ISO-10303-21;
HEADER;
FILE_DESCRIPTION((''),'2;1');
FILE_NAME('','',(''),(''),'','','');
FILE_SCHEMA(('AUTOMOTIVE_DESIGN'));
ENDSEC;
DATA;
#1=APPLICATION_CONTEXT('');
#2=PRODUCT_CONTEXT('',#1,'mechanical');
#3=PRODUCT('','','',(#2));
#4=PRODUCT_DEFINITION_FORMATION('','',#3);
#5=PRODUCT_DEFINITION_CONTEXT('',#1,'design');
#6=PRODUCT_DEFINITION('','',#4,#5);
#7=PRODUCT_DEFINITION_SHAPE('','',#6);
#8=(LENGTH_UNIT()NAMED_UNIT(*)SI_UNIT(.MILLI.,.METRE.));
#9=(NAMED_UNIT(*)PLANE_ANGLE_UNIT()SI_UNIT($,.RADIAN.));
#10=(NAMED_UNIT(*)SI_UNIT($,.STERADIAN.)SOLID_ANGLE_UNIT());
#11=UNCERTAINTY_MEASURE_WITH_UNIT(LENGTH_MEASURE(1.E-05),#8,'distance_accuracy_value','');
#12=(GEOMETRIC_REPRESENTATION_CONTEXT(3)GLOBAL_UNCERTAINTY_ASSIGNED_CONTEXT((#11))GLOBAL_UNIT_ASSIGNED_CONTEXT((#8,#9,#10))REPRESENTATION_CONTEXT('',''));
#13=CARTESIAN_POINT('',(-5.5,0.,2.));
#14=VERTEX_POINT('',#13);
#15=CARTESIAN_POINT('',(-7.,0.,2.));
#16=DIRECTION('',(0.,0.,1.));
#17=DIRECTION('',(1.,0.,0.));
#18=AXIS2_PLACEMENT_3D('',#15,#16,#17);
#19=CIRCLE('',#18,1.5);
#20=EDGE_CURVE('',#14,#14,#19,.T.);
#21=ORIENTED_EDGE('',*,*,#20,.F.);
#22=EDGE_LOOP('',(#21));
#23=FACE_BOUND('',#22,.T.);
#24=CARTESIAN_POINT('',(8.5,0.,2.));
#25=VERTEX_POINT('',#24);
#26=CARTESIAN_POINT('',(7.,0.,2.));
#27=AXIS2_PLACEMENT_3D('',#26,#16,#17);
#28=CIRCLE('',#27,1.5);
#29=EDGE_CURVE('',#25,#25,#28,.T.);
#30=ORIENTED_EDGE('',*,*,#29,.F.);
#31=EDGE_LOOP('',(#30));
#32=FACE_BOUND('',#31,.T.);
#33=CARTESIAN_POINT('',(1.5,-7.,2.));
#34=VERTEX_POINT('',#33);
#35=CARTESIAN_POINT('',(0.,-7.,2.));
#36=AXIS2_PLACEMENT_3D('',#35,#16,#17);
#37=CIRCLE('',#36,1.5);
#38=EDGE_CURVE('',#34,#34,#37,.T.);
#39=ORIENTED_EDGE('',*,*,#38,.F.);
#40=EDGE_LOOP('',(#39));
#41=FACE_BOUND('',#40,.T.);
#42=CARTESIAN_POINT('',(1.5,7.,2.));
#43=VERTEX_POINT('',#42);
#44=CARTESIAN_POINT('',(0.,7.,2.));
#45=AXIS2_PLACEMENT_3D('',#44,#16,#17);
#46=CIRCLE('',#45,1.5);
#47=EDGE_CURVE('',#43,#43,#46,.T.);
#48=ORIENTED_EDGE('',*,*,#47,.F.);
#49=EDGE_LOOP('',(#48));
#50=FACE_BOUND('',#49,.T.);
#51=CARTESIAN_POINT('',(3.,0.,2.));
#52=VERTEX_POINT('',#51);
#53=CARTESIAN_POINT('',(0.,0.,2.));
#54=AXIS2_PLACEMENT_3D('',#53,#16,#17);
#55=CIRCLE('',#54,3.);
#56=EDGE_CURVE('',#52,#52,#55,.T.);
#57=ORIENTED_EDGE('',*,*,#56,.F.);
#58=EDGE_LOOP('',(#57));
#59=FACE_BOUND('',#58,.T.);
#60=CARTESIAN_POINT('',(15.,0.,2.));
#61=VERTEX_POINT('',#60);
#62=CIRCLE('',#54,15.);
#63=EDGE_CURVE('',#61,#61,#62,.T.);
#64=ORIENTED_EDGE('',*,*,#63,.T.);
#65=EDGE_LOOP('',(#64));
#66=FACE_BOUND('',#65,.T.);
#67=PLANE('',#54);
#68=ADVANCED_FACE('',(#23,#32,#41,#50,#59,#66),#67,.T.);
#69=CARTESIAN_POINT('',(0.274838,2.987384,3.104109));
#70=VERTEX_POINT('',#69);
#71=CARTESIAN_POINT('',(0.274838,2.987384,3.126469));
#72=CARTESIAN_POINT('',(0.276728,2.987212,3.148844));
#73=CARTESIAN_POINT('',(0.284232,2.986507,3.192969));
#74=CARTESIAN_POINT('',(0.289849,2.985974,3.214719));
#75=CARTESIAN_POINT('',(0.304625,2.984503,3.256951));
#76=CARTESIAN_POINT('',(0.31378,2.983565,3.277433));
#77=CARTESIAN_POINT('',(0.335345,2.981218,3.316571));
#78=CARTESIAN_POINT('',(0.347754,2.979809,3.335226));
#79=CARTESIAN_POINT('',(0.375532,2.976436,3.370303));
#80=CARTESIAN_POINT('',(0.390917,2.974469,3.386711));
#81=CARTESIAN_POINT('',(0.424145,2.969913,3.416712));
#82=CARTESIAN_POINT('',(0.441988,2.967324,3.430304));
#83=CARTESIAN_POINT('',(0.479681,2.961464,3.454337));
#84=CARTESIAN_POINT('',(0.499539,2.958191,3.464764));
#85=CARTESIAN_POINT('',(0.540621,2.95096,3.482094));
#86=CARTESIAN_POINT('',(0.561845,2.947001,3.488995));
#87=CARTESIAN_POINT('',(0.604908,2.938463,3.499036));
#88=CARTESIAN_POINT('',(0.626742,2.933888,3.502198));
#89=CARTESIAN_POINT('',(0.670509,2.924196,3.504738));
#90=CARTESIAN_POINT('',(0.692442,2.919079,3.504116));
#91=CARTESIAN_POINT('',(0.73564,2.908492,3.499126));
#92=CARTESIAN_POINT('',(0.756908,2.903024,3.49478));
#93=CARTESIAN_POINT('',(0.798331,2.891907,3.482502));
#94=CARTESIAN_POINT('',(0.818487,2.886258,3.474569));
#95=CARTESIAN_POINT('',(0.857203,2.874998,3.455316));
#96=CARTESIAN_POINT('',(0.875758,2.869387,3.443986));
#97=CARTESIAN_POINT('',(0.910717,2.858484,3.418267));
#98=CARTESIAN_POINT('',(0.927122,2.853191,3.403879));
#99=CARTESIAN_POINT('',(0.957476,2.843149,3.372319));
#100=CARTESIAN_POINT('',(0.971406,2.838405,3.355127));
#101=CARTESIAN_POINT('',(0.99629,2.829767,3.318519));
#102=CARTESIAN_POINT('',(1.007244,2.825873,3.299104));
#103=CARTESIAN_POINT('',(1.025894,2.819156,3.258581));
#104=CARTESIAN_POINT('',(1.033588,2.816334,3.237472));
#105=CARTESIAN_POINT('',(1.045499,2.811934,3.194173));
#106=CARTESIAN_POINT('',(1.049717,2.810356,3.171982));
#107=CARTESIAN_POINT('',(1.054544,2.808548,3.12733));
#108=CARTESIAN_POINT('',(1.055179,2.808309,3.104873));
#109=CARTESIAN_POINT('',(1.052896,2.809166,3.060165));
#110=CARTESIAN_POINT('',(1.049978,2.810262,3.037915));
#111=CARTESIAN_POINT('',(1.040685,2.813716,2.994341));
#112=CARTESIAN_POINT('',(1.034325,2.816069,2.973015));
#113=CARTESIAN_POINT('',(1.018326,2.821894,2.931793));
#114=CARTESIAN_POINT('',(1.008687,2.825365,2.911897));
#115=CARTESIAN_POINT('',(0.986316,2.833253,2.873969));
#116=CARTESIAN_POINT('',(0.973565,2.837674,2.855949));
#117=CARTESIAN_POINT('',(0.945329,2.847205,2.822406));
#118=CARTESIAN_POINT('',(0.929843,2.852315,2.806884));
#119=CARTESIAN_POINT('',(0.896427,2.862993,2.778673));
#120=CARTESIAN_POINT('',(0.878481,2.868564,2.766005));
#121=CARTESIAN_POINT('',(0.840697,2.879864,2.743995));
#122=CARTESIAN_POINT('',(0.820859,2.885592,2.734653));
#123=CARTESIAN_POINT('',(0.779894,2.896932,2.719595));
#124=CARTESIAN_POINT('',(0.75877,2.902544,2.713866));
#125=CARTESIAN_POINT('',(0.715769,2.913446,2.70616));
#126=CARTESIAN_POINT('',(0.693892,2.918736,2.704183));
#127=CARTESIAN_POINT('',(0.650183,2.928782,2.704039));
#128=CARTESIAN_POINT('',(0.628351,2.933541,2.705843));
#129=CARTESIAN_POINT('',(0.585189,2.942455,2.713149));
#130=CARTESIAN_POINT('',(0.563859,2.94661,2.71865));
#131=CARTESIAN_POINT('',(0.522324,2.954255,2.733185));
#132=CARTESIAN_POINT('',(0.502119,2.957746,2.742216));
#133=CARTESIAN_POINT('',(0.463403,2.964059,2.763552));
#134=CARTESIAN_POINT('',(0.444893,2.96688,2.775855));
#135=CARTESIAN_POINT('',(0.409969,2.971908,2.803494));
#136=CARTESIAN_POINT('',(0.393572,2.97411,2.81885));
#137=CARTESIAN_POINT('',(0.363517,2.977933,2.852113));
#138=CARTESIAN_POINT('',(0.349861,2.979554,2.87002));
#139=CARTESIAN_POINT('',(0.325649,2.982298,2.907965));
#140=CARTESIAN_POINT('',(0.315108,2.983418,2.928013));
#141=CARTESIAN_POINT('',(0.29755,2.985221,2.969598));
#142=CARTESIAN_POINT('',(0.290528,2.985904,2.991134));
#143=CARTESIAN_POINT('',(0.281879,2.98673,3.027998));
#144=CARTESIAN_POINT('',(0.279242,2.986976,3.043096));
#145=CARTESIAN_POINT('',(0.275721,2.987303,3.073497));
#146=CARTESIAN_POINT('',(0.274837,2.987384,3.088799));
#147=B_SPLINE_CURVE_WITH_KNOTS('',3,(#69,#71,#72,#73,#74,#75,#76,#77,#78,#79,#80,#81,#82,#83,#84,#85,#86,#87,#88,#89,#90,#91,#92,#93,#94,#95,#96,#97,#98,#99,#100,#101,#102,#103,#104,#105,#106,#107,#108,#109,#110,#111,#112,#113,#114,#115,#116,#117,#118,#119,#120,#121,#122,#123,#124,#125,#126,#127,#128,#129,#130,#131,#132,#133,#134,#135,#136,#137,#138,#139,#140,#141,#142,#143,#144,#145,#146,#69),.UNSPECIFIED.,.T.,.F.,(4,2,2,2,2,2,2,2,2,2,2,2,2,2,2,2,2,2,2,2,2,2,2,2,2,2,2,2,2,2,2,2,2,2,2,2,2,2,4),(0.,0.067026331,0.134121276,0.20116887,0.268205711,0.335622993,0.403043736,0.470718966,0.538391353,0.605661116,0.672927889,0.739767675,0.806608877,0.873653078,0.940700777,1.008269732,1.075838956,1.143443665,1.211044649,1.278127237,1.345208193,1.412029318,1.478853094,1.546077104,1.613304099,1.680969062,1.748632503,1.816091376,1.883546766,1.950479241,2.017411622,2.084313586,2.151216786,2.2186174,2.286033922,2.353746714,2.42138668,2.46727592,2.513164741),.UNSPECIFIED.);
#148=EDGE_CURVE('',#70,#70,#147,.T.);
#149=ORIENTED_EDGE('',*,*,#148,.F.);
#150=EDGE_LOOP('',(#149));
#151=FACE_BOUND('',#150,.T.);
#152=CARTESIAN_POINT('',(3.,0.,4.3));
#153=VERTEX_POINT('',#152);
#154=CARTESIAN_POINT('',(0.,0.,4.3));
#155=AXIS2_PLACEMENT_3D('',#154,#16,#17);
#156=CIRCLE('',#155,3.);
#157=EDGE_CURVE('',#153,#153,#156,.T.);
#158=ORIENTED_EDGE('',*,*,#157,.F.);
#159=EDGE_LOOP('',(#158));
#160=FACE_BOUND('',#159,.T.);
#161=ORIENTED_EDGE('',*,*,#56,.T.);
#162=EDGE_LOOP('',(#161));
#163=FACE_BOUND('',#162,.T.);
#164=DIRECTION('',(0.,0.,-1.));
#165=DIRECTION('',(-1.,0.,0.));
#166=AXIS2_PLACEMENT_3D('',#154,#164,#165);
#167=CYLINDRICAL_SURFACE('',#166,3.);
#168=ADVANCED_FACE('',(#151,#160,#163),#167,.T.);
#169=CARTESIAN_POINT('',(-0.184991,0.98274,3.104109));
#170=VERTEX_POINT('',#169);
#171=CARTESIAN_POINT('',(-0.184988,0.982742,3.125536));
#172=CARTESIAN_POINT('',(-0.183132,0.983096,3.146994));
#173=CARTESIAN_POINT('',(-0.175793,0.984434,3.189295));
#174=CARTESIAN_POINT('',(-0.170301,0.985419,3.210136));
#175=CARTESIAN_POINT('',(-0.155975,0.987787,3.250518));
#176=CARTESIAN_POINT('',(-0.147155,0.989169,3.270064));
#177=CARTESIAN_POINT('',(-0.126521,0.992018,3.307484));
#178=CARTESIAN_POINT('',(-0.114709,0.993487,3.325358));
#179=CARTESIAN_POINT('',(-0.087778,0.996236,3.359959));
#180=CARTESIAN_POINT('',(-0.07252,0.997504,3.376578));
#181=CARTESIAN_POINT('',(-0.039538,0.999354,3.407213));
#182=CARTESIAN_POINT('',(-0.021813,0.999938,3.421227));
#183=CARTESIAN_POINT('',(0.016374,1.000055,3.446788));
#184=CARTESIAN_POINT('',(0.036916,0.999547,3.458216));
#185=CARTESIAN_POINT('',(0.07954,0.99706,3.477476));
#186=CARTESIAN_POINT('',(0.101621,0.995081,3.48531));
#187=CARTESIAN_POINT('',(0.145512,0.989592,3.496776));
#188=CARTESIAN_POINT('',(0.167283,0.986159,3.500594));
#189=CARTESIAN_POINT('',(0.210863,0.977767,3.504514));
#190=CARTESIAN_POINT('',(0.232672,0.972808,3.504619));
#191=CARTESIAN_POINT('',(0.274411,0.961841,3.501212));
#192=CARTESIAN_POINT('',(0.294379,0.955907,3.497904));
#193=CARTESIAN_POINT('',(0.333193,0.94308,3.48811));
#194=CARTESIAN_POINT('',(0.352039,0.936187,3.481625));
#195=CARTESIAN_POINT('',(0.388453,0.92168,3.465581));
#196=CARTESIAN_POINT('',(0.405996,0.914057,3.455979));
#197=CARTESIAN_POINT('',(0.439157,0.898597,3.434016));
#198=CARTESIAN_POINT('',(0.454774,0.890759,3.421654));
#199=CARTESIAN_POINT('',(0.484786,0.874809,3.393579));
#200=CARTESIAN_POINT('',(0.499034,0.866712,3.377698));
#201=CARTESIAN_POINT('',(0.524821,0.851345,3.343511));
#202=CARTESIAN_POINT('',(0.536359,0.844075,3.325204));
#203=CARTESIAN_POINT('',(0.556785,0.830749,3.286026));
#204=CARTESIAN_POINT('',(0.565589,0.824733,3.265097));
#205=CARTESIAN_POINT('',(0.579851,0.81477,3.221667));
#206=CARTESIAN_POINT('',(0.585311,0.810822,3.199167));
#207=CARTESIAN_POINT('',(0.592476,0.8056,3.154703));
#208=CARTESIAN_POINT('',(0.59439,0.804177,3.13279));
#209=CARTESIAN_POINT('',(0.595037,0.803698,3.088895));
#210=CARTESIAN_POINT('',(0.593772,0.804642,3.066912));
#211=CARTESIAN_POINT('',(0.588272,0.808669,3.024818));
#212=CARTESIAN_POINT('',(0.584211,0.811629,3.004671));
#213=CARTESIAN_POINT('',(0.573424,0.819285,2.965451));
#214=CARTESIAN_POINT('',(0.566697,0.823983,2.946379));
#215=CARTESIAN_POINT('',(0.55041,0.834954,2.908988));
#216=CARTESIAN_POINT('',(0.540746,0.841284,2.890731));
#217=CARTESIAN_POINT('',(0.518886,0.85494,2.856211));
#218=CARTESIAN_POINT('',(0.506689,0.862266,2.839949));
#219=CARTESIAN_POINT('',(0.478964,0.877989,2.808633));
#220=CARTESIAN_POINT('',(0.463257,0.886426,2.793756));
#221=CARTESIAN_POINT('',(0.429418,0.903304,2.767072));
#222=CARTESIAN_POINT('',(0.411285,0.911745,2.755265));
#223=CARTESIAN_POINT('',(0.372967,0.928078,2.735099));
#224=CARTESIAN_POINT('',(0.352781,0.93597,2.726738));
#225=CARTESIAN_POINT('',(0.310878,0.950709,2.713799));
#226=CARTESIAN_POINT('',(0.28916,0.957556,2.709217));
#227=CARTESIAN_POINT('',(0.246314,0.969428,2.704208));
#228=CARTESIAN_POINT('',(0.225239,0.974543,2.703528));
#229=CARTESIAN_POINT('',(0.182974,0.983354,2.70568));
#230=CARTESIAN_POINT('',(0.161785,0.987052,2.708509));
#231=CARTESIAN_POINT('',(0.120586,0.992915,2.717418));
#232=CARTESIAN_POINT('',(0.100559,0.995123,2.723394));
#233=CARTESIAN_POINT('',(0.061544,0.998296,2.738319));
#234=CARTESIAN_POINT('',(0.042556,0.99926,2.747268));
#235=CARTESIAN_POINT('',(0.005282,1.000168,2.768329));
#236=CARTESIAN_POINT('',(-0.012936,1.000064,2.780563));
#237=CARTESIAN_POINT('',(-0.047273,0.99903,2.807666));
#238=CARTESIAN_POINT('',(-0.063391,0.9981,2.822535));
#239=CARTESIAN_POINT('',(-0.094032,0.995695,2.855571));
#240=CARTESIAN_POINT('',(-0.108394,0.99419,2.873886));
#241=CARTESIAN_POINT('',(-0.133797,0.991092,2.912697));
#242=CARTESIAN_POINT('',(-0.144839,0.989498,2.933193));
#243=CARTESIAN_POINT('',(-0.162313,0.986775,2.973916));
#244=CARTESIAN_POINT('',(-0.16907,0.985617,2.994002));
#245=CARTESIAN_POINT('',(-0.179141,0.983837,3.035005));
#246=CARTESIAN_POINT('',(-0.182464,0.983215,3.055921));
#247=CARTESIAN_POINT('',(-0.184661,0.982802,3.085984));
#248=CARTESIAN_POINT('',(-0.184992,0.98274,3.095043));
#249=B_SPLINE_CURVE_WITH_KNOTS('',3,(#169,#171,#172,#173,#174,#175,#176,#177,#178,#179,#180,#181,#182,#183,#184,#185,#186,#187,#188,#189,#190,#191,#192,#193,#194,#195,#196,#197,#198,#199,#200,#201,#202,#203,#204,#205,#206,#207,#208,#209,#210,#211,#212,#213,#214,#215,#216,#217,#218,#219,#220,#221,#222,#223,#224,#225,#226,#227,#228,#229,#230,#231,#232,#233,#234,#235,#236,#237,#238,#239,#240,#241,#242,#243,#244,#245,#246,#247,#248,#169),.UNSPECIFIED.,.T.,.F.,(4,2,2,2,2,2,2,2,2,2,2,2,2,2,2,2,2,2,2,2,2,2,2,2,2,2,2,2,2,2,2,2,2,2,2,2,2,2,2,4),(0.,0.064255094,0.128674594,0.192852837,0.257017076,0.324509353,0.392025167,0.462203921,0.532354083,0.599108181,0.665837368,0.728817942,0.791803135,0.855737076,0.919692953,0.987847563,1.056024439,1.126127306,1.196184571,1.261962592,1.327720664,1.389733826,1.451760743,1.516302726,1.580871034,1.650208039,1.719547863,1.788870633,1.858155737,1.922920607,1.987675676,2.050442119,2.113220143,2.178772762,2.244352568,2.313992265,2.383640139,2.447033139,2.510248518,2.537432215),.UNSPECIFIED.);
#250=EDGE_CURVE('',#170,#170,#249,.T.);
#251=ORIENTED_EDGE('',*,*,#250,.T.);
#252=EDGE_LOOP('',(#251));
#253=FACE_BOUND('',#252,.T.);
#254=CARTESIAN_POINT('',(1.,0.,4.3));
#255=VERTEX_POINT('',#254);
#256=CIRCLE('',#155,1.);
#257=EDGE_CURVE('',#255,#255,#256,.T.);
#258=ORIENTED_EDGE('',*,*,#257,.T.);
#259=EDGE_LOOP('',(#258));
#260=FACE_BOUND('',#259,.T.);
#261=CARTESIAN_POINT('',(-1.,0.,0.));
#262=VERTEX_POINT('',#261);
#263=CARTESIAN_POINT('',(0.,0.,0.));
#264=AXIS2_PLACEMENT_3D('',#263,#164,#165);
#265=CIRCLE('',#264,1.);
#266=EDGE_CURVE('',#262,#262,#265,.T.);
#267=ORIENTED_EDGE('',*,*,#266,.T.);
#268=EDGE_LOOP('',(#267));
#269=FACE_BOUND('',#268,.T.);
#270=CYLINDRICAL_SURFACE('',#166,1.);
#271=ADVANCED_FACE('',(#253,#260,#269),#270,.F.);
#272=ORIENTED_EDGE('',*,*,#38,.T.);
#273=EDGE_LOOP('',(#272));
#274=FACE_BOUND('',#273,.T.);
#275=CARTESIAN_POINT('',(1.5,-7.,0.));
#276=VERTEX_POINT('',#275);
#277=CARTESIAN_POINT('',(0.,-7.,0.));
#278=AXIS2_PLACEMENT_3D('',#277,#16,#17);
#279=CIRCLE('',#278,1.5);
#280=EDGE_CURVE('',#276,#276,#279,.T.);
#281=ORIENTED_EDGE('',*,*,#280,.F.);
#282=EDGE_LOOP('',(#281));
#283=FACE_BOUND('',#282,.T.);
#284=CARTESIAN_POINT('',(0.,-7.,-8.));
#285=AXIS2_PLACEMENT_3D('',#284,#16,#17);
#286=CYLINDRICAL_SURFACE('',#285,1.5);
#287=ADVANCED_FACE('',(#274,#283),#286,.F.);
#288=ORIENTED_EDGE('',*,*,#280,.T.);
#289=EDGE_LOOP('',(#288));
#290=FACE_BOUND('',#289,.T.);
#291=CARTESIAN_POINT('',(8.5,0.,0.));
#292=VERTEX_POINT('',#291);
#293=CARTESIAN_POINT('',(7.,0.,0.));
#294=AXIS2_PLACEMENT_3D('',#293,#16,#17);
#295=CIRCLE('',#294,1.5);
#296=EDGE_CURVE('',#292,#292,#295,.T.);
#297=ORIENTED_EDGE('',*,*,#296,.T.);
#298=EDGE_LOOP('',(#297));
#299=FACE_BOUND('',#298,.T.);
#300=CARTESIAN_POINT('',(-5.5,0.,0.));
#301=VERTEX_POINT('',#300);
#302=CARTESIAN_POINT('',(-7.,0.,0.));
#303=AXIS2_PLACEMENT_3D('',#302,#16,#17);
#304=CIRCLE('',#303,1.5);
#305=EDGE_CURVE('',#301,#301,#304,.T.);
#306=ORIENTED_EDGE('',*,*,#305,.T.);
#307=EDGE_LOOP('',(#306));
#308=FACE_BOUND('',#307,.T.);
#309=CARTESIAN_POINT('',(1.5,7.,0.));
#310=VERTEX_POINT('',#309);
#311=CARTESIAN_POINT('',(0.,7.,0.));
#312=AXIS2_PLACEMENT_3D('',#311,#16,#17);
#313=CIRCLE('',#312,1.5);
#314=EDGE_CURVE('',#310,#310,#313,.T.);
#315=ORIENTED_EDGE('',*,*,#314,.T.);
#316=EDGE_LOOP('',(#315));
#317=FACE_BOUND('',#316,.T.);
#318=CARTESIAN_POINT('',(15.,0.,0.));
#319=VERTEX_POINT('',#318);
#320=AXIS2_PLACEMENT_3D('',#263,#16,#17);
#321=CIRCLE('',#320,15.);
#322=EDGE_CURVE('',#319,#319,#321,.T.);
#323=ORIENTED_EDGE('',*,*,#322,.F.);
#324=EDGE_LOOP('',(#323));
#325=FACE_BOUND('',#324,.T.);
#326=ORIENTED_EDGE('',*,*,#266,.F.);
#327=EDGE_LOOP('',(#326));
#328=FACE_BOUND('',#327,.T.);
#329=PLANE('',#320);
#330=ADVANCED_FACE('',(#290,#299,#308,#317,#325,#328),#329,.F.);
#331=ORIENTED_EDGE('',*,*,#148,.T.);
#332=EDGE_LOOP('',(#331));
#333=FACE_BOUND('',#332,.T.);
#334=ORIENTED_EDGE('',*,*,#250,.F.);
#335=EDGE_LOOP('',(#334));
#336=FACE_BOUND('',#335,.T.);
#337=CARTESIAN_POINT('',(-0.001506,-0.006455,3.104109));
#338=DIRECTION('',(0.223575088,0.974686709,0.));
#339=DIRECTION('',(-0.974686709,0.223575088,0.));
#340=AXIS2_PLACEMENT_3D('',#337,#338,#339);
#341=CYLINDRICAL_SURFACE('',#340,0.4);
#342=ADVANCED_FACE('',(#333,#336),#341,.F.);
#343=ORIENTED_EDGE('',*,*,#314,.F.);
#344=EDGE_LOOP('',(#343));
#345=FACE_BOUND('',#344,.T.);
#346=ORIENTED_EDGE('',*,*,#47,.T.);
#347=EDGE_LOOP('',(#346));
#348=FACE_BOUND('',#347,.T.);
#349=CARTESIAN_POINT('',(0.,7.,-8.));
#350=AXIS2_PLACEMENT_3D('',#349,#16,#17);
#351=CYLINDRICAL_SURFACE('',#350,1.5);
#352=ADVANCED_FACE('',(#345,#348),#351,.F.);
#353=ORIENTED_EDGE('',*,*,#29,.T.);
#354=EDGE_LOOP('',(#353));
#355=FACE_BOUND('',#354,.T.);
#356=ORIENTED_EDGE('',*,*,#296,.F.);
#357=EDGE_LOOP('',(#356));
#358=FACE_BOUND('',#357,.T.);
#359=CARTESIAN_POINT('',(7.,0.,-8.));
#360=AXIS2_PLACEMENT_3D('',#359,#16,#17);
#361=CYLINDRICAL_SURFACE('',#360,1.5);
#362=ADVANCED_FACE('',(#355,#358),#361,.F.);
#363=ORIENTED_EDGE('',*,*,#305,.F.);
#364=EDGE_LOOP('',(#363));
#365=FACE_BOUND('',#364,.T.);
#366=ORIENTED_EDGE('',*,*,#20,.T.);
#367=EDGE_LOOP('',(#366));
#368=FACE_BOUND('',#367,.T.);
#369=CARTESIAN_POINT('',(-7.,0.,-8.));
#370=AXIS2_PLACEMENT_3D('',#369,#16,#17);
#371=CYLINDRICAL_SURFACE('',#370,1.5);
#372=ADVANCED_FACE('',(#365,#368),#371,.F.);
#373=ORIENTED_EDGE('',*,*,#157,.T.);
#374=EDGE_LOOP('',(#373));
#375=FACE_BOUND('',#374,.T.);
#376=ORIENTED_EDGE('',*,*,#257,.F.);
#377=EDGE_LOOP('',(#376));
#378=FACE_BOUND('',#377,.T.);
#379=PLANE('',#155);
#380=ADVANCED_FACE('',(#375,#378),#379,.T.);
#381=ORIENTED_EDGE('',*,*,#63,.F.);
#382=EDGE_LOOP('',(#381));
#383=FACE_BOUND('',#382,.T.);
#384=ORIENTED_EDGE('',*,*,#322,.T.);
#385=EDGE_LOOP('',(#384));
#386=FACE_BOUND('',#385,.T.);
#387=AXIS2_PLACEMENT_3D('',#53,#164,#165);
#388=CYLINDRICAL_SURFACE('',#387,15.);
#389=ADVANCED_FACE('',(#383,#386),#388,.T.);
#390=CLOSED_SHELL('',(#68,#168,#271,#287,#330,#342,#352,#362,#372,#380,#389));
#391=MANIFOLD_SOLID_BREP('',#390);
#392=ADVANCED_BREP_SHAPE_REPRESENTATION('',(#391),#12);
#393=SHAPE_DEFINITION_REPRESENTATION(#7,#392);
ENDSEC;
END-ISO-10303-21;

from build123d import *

# Parameters (mm, degrees)
SKETCH_1_R               = 15
EXTRUDE_1_DEPTH          = 2
SKETCH_2_R               = 3
SKETCH_2_R_2             = 1
EXTRUDE_2_DEPTH          = 2.3
SKETCH_3_R               = 1
CUT_EXTRUDE_1_DEPTH      = 6
SKETCH_4_R               = 1
CUT_EXTRUDE_2_DEPTH      = 22.644629819
SKETCH_5_R               = 1.5
CUT_EXTRUDE_3_DEPTH      = 10
CUT_EXTRUDE_4_DEPTH      = 2
CUT_EXTRUDE_4_DEPTH_BACK = 1.1
SKETCH_6_R               = 0.4


with BuildPart() as part:
    # 草图1 → 凸台-拉伸1 (new body)
    with BuildSketch(Plane.XY):
        Circle(SKETCH_1_R)
    extrude(amount=EXTRUDE_1_DEPTH)

    # 草图2 → 凸台-拉伸2 (add)
    with BuildSketch(Plane.XY.offset(2)):
        Circle(SKETCH_2_R)
        Circle(SKETCH_2_R_2, mode=Mode.SUBTRACT)
    extrude(amount=EXTRUDE_2_DEPTH)

    # 草图3 → 切除-拉伸1 (cut)
    with BuildSketch(Plane.XY.offset(2)):
        with Locations((0, 7)):
            Circle(SKETCH_3_R)
        with Locations((7, 0)):
            Circle(SKETCH_3_R)
        with Locations((0, -7)):
            Circle(SKETCH_3_R)
        with Locations((-7, 0)):
            Circle(SKETCH_3_R)
    extrude(amount=-CUT_EXTRUDE_1_DEPTH, mode=Mode.SUBTRACT)

    # 草图4 → 切除-拉伸2 (cut, through all)
    with BuildSketch(Plane(origin=(0, 0, 0), x_dir=(-1, 0, 0), z_dir=(0, 0, -1))):
        Circle(SKETCH_4_R)
    extrude(amount=-CUT_EXTRUDE_2_DEPTH, mode=Mode.SUBTRACT)

    # 草图5 → 切除-拉伸3 (cut)
    with BuildSketch(Plane.XY.offset(2)):
        with Locations((0, 7)):
            Circle(SKETCH_5_R)
        with Locations((-7, 0)):
            Circle(SKETCH_5_R)
        with Locations((7, 0)):
            Circle(SKETCH_5_R)
        with Locations((0, -7)):
            Circle(SKETCH_5_R)
    extrude(amount=-CUT_EXTRUDE_3_DEPTH, mode=Mode.SUBTRACT)

    # 草图6 → 切除-拉伸4 (cut, two sides: drawn at the far end of the back side and taken through both)
    with BuildSketch(Plane(origin=(64.521548832, -12.754908116, 46.976284772), x_dir=(0, 0, -1), z_dir=(-0.22357508845081375, -0.9746867085500914, 1.0628725110972871e-14)).offset(-CUT_EXTRUDE_4_DEPTH_BACK)):
        with Locations(Location((43.872176256, -65.74, 0), (0, 0, 270))):
            Circle(SKETCH_6_R)
    extrude(amount=CUT_EXTRUDE_4_DEPTH + CUT_EXTRUDE_4_DEPTH_BACK, mode=Mode.SUBTRACT)


solid = part.part
